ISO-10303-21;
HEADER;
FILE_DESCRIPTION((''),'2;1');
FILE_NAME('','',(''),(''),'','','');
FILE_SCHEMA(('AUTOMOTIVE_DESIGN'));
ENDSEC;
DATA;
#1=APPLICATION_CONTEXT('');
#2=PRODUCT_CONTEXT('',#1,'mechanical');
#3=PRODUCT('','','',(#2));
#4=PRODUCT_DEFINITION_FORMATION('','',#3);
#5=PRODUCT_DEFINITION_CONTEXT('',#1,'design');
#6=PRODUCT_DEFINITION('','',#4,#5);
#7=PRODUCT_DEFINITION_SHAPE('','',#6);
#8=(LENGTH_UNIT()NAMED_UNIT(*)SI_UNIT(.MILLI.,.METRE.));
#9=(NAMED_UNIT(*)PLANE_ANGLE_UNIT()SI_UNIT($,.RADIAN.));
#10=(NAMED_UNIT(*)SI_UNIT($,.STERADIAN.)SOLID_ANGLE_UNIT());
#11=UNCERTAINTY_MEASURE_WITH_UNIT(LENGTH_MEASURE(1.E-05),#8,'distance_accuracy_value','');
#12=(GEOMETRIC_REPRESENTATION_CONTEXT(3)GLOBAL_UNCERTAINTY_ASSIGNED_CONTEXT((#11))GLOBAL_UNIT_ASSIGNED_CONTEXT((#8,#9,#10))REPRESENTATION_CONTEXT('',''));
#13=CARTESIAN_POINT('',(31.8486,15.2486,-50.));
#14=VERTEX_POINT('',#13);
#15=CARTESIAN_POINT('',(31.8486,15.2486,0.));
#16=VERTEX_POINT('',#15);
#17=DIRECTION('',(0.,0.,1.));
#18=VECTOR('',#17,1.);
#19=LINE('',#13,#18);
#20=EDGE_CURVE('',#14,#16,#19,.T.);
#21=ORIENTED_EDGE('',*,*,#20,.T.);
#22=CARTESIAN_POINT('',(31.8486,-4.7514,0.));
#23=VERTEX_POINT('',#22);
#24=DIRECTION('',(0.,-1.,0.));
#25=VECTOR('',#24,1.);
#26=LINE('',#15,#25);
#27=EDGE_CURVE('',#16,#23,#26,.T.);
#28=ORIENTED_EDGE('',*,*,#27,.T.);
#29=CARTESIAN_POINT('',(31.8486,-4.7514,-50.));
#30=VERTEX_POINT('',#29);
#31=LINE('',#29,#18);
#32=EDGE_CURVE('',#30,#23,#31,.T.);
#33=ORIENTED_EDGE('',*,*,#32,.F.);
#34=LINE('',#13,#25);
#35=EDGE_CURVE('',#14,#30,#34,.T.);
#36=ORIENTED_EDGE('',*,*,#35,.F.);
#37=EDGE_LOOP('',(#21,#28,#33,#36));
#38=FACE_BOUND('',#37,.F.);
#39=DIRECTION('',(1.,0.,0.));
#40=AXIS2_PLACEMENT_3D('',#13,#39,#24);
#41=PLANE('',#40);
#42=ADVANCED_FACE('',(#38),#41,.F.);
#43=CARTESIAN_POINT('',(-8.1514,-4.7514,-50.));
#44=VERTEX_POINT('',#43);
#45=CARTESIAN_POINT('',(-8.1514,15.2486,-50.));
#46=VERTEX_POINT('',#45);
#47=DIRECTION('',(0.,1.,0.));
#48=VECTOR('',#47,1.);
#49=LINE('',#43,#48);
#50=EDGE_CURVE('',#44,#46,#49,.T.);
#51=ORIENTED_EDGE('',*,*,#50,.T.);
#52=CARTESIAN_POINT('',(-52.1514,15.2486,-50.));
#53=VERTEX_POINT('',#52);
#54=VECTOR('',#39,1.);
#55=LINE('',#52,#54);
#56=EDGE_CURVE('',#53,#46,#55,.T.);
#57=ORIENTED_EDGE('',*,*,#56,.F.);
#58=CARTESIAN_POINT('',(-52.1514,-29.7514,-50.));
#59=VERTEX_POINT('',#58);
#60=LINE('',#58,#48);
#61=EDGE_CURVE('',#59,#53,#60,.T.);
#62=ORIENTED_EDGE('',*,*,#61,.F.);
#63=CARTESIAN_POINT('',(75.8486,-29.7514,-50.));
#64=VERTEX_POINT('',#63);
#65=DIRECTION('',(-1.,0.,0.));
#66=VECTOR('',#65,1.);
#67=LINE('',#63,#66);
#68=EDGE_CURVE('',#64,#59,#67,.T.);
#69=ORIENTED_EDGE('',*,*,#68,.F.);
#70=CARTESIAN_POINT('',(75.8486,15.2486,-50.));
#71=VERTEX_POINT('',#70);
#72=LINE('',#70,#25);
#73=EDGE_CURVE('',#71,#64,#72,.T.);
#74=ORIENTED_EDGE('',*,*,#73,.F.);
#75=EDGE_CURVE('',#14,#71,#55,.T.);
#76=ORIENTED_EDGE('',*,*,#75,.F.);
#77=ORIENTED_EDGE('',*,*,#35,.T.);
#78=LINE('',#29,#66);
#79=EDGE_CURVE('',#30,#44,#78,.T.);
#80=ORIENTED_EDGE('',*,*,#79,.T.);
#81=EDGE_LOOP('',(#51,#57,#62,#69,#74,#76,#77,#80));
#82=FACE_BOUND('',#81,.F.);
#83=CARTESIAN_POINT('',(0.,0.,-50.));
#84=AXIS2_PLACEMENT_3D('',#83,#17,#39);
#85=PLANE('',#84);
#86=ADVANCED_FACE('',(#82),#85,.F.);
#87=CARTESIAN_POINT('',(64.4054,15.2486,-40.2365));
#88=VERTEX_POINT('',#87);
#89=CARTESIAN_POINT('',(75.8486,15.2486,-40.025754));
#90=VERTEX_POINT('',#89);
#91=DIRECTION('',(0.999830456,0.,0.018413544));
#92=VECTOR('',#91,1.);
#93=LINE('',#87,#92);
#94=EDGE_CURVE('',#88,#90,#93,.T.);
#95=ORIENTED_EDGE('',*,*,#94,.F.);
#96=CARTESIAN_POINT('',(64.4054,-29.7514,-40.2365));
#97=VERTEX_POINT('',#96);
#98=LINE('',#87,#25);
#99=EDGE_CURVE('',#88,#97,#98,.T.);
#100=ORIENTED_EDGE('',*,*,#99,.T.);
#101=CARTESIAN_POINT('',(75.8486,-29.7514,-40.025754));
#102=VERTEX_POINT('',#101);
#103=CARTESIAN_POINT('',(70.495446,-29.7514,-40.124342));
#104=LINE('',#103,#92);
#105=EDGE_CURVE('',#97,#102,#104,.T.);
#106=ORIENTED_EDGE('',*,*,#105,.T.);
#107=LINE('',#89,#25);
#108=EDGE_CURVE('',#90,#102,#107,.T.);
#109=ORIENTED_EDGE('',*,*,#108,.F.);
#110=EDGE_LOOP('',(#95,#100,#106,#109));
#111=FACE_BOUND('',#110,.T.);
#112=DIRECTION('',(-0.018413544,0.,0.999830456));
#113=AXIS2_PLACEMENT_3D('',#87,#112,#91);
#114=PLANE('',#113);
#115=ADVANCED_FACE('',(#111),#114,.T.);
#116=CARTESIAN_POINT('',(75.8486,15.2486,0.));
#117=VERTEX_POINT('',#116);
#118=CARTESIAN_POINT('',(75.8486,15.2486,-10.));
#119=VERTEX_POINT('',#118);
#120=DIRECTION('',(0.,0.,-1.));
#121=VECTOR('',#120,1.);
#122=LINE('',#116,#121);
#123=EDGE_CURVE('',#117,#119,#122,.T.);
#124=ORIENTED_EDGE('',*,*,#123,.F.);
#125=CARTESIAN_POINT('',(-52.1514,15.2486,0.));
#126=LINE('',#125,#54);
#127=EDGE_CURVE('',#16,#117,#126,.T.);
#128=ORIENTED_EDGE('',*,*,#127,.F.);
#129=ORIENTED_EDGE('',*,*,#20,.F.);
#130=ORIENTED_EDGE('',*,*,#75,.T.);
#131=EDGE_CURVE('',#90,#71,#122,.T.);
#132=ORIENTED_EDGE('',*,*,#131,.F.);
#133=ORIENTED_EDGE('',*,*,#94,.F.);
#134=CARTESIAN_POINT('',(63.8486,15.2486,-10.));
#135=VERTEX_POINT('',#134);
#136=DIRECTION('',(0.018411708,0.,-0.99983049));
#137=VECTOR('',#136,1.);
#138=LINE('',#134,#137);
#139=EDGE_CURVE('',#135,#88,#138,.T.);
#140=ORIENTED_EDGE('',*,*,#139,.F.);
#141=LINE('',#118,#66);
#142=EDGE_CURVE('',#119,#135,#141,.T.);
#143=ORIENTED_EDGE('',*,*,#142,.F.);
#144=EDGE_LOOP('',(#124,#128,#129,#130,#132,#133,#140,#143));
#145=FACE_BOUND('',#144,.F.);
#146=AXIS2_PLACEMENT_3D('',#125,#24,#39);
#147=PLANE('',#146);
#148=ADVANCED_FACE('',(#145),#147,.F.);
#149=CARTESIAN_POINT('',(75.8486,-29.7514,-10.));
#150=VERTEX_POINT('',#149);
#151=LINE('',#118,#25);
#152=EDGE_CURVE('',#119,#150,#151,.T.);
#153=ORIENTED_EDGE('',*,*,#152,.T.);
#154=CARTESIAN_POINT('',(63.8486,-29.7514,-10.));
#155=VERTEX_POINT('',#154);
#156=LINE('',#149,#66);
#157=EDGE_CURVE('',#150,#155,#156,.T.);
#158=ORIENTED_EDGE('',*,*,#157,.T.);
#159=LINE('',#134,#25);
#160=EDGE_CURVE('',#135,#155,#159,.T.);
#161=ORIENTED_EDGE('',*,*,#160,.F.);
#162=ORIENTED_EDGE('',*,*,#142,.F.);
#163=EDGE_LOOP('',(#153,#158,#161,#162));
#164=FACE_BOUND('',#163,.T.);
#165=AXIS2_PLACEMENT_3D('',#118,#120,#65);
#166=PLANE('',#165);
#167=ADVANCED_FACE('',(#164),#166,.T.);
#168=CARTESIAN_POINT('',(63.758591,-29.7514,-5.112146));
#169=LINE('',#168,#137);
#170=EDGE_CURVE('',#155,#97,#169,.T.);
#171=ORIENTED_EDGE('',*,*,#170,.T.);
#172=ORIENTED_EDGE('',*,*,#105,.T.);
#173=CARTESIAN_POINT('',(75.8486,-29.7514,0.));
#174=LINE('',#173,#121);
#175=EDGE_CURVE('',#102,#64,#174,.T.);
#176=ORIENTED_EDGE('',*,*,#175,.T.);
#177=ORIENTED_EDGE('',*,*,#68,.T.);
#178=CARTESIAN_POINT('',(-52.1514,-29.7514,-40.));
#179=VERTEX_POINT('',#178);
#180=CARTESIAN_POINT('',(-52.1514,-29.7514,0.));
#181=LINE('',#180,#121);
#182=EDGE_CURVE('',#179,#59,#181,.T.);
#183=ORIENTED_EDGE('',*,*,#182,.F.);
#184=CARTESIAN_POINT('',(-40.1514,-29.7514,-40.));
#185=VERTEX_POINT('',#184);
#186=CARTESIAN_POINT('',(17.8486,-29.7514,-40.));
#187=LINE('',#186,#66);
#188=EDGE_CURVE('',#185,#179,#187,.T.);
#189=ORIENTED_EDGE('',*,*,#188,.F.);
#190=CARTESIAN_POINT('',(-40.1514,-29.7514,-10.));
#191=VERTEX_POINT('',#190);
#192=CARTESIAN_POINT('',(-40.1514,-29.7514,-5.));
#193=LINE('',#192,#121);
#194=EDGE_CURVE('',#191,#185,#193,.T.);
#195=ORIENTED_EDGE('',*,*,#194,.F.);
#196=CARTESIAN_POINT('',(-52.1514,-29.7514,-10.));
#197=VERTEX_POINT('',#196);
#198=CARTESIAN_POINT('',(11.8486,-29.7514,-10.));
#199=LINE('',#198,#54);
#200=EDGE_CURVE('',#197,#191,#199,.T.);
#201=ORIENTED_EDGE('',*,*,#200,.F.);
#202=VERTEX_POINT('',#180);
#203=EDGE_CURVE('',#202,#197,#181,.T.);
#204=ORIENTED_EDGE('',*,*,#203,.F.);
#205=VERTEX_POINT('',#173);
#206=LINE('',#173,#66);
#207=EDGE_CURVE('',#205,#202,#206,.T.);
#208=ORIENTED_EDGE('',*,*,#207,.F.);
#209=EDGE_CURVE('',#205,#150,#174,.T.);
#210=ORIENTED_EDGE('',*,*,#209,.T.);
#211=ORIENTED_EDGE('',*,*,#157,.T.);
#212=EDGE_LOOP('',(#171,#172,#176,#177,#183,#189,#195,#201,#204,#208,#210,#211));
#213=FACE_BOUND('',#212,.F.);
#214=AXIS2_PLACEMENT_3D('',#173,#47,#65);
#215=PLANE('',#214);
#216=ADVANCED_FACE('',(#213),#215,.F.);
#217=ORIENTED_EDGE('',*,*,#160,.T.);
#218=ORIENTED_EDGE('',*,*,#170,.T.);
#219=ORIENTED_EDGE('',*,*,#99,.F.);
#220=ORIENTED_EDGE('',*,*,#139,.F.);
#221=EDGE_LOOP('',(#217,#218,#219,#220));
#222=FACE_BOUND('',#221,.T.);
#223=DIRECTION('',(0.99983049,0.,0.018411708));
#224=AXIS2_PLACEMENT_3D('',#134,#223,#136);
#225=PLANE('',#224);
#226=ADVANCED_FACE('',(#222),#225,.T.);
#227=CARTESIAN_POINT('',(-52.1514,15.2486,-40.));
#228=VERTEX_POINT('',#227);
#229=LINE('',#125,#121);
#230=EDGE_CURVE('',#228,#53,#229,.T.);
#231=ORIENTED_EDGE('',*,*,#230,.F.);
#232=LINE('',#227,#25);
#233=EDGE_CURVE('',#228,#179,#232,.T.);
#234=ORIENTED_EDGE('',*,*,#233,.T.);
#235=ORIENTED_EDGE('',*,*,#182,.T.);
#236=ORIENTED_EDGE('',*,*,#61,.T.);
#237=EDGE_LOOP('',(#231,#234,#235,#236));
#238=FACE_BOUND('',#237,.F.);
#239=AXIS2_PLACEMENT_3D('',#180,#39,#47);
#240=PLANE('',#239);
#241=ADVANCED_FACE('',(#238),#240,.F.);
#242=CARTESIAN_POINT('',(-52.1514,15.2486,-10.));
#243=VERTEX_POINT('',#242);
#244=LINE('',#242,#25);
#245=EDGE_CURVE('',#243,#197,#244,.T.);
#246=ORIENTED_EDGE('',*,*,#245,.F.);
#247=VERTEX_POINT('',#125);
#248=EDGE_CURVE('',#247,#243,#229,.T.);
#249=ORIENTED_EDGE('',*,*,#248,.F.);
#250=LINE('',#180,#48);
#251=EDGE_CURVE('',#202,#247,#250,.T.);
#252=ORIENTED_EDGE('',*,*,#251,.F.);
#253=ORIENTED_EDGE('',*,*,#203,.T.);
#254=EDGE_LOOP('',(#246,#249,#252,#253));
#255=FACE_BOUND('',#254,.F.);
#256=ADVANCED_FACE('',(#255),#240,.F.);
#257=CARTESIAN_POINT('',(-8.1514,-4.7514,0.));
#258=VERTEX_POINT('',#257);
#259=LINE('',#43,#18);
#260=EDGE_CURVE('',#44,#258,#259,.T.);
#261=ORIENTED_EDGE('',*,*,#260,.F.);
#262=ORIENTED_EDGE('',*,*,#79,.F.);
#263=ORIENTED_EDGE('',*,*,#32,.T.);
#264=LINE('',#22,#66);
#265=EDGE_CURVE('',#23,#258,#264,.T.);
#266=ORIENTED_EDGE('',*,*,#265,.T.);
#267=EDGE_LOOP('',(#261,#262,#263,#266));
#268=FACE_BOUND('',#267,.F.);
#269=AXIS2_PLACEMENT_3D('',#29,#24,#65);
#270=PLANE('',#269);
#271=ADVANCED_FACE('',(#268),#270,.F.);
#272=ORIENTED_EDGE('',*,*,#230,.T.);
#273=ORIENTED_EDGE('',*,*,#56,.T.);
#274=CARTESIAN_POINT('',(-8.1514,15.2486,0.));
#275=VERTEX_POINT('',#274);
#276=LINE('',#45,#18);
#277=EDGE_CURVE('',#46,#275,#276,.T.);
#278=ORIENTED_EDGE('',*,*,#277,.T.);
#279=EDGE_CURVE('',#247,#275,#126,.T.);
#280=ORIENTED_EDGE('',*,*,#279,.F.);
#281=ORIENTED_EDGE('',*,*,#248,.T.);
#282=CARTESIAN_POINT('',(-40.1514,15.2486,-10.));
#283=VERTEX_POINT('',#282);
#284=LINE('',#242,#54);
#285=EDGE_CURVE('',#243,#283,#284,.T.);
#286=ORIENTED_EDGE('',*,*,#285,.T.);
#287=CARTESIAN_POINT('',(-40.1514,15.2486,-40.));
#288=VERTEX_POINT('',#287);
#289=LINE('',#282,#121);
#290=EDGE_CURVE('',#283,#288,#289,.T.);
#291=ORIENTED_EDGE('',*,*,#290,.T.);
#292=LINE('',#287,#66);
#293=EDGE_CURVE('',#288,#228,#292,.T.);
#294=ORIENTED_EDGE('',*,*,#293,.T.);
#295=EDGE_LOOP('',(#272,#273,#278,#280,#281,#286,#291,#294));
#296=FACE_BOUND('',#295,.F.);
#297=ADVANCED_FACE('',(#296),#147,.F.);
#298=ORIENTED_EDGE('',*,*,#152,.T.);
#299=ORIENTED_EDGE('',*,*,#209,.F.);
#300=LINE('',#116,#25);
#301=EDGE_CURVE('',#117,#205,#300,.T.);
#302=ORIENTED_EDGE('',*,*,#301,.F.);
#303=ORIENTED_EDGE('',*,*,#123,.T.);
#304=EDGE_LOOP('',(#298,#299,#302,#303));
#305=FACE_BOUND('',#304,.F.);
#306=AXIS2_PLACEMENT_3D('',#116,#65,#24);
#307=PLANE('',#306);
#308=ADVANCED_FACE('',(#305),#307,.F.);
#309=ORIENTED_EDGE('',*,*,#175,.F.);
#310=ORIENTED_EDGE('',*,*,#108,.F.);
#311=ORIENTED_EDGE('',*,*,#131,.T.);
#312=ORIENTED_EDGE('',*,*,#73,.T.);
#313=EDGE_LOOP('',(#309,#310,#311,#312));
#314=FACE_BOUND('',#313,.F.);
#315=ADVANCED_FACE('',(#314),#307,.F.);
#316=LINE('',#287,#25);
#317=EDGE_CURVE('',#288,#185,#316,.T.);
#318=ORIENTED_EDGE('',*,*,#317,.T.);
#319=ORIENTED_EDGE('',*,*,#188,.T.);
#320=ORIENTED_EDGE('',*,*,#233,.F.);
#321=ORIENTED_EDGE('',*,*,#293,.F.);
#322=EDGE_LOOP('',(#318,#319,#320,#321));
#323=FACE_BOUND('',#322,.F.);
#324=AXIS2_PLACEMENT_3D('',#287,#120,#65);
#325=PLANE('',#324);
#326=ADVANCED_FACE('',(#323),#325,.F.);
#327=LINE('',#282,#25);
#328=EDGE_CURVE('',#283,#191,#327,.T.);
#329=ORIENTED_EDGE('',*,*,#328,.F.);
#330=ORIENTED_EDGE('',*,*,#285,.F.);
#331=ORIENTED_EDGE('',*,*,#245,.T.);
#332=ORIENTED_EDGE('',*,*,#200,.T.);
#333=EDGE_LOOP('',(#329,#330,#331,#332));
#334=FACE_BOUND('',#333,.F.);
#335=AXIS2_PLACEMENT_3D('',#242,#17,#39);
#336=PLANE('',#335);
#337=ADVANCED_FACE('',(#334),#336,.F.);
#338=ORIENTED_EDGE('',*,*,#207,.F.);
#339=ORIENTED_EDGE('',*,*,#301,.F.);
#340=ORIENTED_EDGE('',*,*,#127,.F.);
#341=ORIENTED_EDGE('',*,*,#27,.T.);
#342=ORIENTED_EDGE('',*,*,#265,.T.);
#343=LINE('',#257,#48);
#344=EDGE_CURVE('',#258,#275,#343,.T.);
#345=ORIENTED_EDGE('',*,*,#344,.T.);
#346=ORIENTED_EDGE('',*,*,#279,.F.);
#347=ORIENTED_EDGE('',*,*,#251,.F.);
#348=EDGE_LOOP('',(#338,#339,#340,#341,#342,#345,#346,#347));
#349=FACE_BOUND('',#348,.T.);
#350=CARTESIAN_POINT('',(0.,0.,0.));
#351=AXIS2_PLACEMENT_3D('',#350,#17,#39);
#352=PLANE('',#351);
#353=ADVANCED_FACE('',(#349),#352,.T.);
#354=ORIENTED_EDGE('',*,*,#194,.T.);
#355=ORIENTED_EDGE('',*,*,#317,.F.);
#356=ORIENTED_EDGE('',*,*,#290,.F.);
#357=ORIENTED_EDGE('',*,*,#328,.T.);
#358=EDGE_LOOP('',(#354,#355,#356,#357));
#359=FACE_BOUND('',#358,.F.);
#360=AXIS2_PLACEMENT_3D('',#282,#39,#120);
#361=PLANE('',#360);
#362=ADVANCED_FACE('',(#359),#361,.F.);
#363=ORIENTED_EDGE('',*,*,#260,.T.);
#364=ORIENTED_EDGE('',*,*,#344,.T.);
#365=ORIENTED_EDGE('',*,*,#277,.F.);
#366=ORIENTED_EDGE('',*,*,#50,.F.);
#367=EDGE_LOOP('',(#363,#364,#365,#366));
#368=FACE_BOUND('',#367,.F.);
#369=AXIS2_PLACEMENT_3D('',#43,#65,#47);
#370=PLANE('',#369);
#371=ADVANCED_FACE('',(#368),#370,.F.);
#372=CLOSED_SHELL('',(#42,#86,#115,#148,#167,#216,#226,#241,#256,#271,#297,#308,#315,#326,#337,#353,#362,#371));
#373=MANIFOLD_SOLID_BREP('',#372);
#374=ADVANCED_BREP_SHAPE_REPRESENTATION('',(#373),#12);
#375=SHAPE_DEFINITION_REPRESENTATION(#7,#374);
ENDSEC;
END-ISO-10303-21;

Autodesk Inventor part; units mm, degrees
ref_plane "YZ Plane" through (0, 0, 0) normal (1, 0, 0) x (0, 1, 0)
ref_plane "XZ Plane" through (0, 0, 0) normal (0, 1, 0) x (-1, 0, 0)
ref_plane "XY Plane" through (0, 0, 0) normal (0, 0, 1) x (1, 0, 0)
sketch "Sketch1" plane through (0, 0, 0) normal (0, 0, 1) x (1, 0, 0)
  line L0 (-52.1514, 15.2486) -> (75.8486, 15.2486)
  line L1 (75.8486, 15.2486) -> (75.8486, -29.7514)
  line L2 (75.8486, -29.7514) -> (-52.1514, -29.7514)
  line L3 (-52.1514, -29.7514) -> (-52.1514, 15.2486)
  point P0 (0, 0)
  dimension "d0" = 128
  dimension "d1" = 128
  dimension "d2" = 45
extrude "Extrusion1" add sketch "Sketch1" against normal blind 50
ref_plane "Work Plane1" through (0, 0, -50) normal (0, 0, -1) x (-1, 0, 0)
sketch "Sketch2" plane through (0, 0, -50) normal (0, 0, -1) x (-1, 0, 0)
  line L0 (52.1514, 15.2486) -> (-75.8486, 15.2486) projected
  line L1 (-31.8486, 15.2486) -> (-31.8486, -4.7514)
  line L2 (-31.8486, -4.7514) -> (8.1514, -4.7514)
  line L3 (8.1514, -4.7514) -> (8.1514, 15.2486)
  point P0 (0, 0)
  dimension "d6" = 44
  dimension "d7" = 44
  dimension "d8" = 20
extrude "Extrusion2" cut sketch "Sketch2" against normal blind 50
sketch "Sketch3" plane through (75.8486, -29.7514, 0) normal (1, 0, 0) x (0, 0, -1)
  line L0 (0, 45) -> (50, 45) projected
  line L1 (10, 45) -> (10, 29.7514)
  point P0 (0, 29.7514)
  point P1 (40, 45)
  dimension "d11" = 10
  dimension "d12" = 10
sketch "Sketch4" plane through (75.8486, 15.2486, 0) normal (0, 1, 0) x (1, 0, 0)
  line L0 (0, 0) -> (0, 50) projected
  line L1 (0, 50) -> (-128, 50) projected
  line L2 (0, 10) -> (-12, 10)
  line L3 (-12, 10) -> (-11.4432, 40.2365)
  line L4 (-11.4432, 40.2365) -> (0.5568, 40.0155)
  point P0 (-75.8486, 0)
  point P1 (0, 40.0258)
  dimension "d13" = 10
  dimension "d14" = 10
  dimension "d15" = 12
  dimension "d16" = 12
extrude "Extrusion3" cut sketch "Sketch4" against normal blind 50
sketch "Sketch5" plane through (31.8486, 15.2486, 0) normal (0, 1, 0) x (1, 0, 0)
  line L0 (-84, 0) -> (-84, 50) projected
  line L1 (44, 50) -> (-84, 50) projected
  line L2 (-84, 10) -> (-72, 10)
  line L3 (-72, 10) -> (-72, 40)
  line L4 (-72, 40) -> (-84, 40)
  point P0 (-31.8486, 0)
  dimension "d19" = 10
  dimension "d20" = 10
  dimension "d21" = 12
  dimension "d22" = 12
extrude "Extrusion4" cut sketch "Sketch5" against normal blind 50
